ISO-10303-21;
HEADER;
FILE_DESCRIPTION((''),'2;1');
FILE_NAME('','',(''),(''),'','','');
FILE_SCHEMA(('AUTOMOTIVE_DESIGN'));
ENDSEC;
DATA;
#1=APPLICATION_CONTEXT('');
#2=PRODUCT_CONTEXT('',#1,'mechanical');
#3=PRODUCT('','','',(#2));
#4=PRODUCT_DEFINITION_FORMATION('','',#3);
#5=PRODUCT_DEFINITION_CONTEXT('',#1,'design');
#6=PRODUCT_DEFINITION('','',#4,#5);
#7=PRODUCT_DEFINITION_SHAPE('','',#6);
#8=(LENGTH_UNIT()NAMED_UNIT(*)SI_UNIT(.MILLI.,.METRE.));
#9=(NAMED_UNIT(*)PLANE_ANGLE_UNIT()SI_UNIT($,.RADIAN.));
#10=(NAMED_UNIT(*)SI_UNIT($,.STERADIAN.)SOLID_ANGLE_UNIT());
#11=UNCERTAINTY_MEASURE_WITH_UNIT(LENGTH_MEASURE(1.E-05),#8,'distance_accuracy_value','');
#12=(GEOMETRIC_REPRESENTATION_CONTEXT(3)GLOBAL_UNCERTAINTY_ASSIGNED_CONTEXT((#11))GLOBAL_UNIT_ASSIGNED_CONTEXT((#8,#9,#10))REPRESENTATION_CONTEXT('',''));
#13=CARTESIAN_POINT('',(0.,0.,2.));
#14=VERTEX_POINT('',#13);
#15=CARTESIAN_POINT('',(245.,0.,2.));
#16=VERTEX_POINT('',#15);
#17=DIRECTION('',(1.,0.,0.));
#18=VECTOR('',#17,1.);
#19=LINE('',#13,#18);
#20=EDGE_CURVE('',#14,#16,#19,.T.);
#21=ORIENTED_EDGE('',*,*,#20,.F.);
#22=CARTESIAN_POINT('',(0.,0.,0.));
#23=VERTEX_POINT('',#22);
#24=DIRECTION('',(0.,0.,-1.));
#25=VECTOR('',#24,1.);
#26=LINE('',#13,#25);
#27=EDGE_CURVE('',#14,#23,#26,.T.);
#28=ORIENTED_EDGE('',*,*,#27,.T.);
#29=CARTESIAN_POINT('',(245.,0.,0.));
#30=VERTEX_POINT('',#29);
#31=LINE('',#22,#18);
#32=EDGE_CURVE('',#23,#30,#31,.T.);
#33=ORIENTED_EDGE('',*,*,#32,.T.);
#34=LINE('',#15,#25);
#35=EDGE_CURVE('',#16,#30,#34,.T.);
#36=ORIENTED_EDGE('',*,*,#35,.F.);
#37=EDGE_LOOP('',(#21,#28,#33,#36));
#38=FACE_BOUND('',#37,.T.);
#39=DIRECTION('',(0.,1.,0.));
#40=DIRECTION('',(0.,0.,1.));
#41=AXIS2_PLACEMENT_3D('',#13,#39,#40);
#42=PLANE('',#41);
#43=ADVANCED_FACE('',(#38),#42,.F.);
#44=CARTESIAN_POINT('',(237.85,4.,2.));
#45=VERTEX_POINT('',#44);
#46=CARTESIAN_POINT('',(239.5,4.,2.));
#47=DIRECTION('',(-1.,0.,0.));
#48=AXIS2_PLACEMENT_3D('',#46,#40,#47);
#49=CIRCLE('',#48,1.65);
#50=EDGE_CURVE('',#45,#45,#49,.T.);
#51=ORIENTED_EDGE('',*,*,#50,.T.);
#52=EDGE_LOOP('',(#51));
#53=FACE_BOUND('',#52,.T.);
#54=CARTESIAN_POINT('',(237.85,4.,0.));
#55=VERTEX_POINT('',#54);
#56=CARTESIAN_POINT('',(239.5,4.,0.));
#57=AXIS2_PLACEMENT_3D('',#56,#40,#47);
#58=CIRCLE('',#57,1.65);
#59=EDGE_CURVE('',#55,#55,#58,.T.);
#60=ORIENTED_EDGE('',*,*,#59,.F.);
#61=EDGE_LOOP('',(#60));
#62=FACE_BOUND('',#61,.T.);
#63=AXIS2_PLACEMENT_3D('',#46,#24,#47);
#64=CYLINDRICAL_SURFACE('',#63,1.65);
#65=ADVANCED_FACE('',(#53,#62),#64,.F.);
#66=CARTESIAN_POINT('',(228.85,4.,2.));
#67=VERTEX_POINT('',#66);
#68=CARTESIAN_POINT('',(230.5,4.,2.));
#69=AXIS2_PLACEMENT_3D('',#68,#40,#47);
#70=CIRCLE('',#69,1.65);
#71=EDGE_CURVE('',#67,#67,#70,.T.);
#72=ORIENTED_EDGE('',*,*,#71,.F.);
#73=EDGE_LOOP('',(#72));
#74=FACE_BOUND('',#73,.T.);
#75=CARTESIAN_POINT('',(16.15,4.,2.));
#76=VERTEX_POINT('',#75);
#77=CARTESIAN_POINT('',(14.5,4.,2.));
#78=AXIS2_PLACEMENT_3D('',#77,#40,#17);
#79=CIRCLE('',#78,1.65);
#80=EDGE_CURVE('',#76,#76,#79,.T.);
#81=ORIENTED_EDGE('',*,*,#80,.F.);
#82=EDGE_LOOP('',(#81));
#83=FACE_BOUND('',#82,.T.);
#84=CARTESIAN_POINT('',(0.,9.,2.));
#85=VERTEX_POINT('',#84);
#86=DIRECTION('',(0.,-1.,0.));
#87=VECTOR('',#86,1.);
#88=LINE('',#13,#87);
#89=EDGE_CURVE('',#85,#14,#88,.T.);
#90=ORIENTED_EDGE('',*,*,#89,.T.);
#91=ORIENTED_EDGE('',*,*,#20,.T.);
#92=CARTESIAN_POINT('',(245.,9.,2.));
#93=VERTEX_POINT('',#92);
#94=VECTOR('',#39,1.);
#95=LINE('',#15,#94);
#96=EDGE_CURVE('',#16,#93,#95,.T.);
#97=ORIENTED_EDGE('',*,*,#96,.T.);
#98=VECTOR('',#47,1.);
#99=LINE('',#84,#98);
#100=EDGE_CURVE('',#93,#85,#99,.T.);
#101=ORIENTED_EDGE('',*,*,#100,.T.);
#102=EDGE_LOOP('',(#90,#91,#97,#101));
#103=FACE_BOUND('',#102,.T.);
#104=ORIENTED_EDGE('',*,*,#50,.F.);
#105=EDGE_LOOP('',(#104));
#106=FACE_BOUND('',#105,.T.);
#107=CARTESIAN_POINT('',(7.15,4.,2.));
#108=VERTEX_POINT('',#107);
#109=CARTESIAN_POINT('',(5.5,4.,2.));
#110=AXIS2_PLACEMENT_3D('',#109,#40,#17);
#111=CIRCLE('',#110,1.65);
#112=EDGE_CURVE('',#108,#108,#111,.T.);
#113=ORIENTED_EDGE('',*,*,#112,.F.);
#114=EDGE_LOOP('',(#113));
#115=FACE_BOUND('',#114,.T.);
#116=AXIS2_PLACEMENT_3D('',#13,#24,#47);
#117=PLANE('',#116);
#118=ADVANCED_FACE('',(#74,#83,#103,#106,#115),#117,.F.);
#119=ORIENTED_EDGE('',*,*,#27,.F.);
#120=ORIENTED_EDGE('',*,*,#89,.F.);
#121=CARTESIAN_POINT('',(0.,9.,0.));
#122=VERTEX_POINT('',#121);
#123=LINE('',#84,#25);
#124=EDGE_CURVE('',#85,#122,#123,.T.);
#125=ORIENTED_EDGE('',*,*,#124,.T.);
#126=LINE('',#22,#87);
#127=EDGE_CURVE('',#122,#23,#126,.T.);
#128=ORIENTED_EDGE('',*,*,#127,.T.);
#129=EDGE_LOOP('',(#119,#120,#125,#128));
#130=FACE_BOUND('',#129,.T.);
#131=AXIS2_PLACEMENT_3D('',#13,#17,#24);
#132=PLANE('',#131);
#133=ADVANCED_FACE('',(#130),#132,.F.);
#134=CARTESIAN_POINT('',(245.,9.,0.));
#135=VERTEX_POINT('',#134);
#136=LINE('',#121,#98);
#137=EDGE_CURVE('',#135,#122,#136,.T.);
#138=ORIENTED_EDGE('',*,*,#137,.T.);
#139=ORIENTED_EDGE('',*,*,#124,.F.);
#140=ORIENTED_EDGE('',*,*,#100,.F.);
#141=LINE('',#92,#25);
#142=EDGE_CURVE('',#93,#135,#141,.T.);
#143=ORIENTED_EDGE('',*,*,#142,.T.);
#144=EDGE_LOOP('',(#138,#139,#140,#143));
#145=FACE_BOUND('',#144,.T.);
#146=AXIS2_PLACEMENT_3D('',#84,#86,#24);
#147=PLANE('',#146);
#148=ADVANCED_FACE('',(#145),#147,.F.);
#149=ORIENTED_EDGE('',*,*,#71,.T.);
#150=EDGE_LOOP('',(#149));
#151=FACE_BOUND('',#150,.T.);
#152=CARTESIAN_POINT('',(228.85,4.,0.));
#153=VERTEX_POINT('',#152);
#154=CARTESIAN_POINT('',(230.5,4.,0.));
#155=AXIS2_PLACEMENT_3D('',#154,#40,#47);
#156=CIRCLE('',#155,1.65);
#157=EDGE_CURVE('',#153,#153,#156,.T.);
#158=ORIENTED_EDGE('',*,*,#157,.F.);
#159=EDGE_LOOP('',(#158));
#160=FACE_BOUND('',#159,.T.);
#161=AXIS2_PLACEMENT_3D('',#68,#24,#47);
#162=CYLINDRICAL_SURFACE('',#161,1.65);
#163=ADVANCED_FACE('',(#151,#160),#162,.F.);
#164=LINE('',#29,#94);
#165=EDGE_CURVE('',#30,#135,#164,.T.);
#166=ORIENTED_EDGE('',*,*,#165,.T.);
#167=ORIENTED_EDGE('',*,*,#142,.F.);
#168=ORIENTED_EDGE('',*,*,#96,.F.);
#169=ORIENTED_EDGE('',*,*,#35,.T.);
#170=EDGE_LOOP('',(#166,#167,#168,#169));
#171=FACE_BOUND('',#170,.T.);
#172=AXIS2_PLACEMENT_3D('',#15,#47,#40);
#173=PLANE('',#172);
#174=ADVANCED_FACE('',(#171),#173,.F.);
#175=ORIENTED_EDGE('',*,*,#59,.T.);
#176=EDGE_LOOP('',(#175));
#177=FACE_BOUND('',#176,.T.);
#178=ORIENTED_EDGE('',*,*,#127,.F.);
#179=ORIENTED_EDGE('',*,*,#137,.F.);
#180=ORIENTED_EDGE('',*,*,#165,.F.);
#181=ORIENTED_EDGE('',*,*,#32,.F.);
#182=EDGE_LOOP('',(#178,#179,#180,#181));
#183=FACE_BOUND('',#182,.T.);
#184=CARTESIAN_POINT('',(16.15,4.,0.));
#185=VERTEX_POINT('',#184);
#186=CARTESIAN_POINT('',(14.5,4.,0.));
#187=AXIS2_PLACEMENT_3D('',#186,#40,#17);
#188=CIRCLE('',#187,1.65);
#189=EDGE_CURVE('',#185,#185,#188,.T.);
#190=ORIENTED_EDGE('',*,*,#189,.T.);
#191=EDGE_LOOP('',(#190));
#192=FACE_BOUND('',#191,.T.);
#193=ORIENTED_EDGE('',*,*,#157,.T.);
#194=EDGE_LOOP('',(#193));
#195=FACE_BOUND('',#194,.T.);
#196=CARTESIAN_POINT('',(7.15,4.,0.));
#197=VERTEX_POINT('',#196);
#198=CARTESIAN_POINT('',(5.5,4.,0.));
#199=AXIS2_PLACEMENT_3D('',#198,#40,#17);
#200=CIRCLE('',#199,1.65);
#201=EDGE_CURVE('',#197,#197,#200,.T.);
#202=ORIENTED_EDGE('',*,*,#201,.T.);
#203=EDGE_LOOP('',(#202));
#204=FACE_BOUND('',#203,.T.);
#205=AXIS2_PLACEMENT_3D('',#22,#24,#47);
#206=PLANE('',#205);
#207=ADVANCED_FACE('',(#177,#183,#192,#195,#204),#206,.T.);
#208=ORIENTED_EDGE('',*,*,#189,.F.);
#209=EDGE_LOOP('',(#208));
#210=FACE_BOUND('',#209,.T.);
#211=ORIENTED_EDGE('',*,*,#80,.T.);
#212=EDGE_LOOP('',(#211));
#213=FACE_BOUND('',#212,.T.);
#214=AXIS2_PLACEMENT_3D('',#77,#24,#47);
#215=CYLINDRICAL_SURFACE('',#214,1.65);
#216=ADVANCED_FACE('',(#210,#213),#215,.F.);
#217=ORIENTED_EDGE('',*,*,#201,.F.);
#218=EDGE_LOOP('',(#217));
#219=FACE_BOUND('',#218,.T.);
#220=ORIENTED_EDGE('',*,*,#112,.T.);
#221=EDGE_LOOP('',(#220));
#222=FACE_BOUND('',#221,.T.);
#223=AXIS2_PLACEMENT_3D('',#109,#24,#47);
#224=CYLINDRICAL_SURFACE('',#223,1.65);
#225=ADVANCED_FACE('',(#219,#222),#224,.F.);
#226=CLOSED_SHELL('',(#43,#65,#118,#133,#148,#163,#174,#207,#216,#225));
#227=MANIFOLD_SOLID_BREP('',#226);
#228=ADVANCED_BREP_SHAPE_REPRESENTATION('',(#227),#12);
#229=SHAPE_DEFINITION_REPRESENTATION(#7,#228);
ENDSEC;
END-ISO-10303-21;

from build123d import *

# Parameters (mm, degrees)
SKETCH_1_W      = 245
SKETCH_1_H      = 9
SKETCH_1_R      = 1.65
EXTRUDE_1_DEPTH = 2


with BuildPart() as part:
    # 草图1 → 凸台-拉伸1 (new body)
    with BuildSketch(Plane.XY):
        with Locations((122.5, 4.5)):
            Rectangle(SKETCH_1_W, SKETCH_1_H)
        with Locations((5.5, 4)):
            Circle(SKETCH_1_R, mode=Mode.SUBTRACT)
        with Locations((14.5, 4)):
            Circle(SKETCH_1_R, mode=Mode.SUBTRACT)
        with Locations(Location((230.5, 4, 0), (0, 0, 180))):
            Circle(SKETCH_1_R, mode=Mode.SUBTRACT)
        with Locations(Location((239.5, 4, 0), (0, 0, 180))):
            Circle(SKETCH_1_R, mode=Mode.SUBTRACT)
    extrude(amount=EXTRUDE_1_DEPTH)


solid = part.part
